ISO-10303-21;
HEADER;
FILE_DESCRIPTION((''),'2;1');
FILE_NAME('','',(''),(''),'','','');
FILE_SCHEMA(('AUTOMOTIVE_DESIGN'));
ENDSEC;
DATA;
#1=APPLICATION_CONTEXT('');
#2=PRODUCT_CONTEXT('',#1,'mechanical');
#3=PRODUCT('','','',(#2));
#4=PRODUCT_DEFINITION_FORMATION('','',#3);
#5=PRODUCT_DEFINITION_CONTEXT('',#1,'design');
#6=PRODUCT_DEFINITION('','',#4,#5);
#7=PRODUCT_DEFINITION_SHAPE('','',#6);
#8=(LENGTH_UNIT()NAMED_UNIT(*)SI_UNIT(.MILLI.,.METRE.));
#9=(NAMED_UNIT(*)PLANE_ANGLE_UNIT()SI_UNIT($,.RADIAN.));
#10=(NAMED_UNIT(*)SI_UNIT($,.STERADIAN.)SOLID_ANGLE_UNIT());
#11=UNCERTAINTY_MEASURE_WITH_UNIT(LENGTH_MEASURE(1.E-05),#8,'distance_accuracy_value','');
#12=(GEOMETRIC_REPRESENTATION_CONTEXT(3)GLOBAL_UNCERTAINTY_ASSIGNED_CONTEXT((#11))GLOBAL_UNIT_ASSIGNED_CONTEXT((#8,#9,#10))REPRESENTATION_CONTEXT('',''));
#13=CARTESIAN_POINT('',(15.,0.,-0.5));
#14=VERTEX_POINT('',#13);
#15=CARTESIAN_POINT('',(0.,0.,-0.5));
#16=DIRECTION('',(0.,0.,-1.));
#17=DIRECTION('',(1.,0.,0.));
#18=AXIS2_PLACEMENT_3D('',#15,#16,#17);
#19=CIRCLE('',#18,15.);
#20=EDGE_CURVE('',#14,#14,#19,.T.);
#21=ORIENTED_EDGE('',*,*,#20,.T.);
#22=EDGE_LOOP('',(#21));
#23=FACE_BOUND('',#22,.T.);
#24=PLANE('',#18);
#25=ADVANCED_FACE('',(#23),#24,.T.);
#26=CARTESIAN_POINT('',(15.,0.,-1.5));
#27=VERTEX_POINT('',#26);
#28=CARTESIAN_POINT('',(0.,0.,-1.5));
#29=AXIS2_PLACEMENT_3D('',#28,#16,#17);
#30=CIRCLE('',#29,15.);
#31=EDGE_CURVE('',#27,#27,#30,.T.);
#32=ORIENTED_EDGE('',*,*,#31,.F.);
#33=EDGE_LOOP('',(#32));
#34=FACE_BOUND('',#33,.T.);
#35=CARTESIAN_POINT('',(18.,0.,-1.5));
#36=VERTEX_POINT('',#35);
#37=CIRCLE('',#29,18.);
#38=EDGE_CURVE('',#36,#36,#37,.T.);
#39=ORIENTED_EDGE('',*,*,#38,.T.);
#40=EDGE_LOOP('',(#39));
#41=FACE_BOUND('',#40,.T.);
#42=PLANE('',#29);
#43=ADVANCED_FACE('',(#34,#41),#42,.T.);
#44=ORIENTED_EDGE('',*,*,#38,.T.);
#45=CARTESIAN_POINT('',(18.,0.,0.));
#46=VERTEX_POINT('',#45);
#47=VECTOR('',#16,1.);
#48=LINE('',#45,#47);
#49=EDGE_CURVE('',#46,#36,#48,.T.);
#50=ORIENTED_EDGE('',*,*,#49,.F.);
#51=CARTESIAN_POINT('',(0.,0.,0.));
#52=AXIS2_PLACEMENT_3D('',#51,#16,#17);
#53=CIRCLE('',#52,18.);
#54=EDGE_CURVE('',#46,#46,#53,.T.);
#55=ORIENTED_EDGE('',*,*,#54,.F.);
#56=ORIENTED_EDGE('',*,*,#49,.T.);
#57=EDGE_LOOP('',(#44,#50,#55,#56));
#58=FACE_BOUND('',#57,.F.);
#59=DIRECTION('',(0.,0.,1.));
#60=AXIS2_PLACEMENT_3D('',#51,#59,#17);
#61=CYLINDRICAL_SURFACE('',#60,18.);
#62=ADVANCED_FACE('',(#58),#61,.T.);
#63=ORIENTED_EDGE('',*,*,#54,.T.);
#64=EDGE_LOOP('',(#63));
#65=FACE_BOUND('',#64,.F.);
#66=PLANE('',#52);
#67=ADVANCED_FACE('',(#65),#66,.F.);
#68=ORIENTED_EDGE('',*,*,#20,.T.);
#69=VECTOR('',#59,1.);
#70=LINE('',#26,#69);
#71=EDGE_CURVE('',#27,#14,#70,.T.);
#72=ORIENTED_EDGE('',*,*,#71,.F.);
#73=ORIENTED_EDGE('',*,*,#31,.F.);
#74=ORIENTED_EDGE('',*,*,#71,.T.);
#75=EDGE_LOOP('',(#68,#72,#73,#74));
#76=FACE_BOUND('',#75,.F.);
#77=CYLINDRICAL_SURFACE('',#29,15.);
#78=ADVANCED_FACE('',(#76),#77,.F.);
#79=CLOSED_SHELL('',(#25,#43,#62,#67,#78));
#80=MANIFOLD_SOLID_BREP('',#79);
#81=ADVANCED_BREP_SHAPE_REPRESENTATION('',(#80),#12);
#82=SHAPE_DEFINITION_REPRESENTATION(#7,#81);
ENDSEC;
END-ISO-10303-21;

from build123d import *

# Parameters (mm, degrees)
SKETCH001_R  = 18
PAD_DEPTH    = 1.5
SKETCH_R     = 15
POCKET_DEPTH = 1


with BuildPart() as part:
    # Sketch001 → Pad (new body)
    with BuildSketch(Plane(origin=(0, 0, 0), x_dir=(1, 0, 0), z_dir=(0, 0, -1))):
        Circle(SKETCH001_R)
    extrude(amount=PAD_DEPTH)

    # Sketch (on Face3 of Pad) → Pocket (cut)
    with BuildSketch(Plane(origin=(0, 0, -1.5), x_dir=(1, 0, 0), z_dir=(0, 0, -1))):
        Circle(SKETCH_R)
    extrude(amount=-POCKET_DEPTH, mode=Mode.SUBTRACT)


solid = part.part
